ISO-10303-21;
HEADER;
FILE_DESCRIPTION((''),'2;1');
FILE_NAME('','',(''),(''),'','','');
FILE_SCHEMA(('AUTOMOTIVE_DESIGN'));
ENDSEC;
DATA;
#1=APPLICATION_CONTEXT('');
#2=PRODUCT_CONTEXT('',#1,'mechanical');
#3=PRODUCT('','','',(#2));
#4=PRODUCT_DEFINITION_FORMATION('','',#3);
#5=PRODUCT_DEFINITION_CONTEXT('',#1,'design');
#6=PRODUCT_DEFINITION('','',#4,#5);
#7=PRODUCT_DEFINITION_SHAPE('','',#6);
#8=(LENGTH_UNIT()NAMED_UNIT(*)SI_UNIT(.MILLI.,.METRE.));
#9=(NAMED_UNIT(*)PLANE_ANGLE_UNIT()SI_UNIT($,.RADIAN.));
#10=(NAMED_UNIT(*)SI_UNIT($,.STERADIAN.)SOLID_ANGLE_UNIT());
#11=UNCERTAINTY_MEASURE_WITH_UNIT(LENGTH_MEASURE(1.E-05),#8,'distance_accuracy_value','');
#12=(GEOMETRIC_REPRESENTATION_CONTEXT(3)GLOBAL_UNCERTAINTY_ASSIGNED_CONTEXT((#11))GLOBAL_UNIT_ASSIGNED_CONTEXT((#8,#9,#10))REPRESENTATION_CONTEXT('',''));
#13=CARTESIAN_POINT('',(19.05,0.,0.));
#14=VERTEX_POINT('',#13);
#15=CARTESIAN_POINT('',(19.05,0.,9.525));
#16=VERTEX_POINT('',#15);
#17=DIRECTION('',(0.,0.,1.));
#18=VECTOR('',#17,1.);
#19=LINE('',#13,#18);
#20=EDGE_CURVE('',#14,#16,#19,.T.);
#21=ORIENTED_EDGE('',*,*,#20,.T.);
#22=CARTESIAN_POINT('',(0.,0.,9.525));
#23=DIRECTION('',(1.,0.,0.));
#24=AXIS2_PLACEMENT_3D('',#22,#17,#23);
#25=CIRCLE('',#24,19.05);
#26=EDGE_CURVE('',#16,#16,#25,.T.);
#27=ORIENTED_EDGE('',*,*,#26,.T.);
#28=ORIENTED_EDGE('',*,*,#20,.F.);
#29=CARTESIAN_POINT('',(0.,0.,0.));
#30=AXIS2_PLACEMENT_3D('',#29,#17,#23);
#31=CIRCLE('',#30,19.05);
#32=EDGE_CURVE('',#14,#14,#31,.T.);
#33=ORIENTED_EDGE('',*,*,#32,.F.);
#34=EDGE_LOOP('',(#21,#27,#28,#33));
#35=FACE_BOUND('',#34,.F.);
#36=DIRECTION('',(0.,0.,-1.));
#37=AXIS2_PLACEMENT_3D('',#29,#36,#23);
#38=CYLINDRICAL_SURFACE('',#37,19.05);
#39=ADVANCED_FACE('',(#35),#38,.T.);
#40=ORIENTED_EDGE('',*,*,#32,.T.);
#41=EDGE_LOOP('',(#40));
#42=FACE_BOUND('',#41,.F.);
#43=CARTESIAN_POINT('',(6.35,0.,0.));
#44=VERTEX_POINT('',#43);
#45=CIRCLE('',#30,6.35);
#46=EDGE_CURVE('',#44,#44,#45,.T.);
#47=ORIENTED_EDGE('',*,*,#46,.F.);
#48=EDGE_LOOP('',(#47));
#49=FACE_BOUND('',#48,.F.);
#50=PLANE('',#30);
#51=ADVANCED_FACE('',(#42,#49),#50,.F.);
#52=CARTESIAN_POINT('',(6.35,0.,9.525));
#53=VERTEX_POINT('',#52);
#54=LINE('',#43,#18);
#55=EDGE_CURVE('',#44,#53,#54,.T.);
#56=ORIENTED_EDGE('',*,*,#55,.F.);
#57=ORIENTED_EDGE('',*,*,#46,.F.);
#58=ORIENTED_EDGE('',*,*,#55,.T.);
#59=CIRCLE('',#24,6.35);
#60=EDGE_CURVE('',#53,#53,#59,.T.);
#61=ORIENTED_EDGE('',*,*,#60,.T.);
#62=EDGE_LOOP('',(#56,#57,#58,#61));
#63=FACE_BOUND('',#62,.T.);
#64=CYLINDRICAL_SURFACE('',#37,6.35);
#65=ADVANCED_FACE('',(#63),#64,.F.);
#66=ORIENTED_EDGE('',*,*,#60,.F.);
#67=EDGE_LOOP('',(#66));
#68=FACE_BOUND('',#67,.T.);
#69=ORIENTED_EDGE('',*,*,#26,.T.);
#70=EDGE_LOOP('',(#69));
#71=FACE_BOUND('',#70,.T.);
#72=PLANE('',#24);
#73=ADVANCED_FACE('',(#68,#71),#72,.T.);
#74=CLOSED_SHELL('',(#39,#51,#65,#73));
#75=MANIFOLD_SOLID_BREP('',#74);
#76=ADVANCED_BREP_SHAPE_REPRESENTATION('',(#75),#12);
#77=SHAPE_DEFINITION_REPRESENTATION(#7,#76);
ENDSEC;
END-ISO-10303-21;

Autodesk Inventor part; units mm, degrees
ref_plane "YZ Plane" through (0, 0, 0) normal (1, 0, 0) x (0, 1, 0)
ref_plane "XZ Plane" through (0, 0, 0) normal (0, 1, 0) x (-1, 0, 0)
ref_plane "XY Plane" through (0, 0, 0) normal (0, 0, 1) x (1, 0, 0)
sketch "Sketch1" plane through (0, 0, 0) normal (0, 0, 1) x (1, 0, 0)
  circle A0 centre (0, 0) radius 19.05
  circle A1 centre (0, 0) radius 6.35
  dimension "d0" = 38.1
  dimension "d1" = 12.7
extrude "Extrusion1" add sketch "Sketch1" along normal blind 9.525
properties part number "Wheel  - Front" material "Silicon Nitride"
